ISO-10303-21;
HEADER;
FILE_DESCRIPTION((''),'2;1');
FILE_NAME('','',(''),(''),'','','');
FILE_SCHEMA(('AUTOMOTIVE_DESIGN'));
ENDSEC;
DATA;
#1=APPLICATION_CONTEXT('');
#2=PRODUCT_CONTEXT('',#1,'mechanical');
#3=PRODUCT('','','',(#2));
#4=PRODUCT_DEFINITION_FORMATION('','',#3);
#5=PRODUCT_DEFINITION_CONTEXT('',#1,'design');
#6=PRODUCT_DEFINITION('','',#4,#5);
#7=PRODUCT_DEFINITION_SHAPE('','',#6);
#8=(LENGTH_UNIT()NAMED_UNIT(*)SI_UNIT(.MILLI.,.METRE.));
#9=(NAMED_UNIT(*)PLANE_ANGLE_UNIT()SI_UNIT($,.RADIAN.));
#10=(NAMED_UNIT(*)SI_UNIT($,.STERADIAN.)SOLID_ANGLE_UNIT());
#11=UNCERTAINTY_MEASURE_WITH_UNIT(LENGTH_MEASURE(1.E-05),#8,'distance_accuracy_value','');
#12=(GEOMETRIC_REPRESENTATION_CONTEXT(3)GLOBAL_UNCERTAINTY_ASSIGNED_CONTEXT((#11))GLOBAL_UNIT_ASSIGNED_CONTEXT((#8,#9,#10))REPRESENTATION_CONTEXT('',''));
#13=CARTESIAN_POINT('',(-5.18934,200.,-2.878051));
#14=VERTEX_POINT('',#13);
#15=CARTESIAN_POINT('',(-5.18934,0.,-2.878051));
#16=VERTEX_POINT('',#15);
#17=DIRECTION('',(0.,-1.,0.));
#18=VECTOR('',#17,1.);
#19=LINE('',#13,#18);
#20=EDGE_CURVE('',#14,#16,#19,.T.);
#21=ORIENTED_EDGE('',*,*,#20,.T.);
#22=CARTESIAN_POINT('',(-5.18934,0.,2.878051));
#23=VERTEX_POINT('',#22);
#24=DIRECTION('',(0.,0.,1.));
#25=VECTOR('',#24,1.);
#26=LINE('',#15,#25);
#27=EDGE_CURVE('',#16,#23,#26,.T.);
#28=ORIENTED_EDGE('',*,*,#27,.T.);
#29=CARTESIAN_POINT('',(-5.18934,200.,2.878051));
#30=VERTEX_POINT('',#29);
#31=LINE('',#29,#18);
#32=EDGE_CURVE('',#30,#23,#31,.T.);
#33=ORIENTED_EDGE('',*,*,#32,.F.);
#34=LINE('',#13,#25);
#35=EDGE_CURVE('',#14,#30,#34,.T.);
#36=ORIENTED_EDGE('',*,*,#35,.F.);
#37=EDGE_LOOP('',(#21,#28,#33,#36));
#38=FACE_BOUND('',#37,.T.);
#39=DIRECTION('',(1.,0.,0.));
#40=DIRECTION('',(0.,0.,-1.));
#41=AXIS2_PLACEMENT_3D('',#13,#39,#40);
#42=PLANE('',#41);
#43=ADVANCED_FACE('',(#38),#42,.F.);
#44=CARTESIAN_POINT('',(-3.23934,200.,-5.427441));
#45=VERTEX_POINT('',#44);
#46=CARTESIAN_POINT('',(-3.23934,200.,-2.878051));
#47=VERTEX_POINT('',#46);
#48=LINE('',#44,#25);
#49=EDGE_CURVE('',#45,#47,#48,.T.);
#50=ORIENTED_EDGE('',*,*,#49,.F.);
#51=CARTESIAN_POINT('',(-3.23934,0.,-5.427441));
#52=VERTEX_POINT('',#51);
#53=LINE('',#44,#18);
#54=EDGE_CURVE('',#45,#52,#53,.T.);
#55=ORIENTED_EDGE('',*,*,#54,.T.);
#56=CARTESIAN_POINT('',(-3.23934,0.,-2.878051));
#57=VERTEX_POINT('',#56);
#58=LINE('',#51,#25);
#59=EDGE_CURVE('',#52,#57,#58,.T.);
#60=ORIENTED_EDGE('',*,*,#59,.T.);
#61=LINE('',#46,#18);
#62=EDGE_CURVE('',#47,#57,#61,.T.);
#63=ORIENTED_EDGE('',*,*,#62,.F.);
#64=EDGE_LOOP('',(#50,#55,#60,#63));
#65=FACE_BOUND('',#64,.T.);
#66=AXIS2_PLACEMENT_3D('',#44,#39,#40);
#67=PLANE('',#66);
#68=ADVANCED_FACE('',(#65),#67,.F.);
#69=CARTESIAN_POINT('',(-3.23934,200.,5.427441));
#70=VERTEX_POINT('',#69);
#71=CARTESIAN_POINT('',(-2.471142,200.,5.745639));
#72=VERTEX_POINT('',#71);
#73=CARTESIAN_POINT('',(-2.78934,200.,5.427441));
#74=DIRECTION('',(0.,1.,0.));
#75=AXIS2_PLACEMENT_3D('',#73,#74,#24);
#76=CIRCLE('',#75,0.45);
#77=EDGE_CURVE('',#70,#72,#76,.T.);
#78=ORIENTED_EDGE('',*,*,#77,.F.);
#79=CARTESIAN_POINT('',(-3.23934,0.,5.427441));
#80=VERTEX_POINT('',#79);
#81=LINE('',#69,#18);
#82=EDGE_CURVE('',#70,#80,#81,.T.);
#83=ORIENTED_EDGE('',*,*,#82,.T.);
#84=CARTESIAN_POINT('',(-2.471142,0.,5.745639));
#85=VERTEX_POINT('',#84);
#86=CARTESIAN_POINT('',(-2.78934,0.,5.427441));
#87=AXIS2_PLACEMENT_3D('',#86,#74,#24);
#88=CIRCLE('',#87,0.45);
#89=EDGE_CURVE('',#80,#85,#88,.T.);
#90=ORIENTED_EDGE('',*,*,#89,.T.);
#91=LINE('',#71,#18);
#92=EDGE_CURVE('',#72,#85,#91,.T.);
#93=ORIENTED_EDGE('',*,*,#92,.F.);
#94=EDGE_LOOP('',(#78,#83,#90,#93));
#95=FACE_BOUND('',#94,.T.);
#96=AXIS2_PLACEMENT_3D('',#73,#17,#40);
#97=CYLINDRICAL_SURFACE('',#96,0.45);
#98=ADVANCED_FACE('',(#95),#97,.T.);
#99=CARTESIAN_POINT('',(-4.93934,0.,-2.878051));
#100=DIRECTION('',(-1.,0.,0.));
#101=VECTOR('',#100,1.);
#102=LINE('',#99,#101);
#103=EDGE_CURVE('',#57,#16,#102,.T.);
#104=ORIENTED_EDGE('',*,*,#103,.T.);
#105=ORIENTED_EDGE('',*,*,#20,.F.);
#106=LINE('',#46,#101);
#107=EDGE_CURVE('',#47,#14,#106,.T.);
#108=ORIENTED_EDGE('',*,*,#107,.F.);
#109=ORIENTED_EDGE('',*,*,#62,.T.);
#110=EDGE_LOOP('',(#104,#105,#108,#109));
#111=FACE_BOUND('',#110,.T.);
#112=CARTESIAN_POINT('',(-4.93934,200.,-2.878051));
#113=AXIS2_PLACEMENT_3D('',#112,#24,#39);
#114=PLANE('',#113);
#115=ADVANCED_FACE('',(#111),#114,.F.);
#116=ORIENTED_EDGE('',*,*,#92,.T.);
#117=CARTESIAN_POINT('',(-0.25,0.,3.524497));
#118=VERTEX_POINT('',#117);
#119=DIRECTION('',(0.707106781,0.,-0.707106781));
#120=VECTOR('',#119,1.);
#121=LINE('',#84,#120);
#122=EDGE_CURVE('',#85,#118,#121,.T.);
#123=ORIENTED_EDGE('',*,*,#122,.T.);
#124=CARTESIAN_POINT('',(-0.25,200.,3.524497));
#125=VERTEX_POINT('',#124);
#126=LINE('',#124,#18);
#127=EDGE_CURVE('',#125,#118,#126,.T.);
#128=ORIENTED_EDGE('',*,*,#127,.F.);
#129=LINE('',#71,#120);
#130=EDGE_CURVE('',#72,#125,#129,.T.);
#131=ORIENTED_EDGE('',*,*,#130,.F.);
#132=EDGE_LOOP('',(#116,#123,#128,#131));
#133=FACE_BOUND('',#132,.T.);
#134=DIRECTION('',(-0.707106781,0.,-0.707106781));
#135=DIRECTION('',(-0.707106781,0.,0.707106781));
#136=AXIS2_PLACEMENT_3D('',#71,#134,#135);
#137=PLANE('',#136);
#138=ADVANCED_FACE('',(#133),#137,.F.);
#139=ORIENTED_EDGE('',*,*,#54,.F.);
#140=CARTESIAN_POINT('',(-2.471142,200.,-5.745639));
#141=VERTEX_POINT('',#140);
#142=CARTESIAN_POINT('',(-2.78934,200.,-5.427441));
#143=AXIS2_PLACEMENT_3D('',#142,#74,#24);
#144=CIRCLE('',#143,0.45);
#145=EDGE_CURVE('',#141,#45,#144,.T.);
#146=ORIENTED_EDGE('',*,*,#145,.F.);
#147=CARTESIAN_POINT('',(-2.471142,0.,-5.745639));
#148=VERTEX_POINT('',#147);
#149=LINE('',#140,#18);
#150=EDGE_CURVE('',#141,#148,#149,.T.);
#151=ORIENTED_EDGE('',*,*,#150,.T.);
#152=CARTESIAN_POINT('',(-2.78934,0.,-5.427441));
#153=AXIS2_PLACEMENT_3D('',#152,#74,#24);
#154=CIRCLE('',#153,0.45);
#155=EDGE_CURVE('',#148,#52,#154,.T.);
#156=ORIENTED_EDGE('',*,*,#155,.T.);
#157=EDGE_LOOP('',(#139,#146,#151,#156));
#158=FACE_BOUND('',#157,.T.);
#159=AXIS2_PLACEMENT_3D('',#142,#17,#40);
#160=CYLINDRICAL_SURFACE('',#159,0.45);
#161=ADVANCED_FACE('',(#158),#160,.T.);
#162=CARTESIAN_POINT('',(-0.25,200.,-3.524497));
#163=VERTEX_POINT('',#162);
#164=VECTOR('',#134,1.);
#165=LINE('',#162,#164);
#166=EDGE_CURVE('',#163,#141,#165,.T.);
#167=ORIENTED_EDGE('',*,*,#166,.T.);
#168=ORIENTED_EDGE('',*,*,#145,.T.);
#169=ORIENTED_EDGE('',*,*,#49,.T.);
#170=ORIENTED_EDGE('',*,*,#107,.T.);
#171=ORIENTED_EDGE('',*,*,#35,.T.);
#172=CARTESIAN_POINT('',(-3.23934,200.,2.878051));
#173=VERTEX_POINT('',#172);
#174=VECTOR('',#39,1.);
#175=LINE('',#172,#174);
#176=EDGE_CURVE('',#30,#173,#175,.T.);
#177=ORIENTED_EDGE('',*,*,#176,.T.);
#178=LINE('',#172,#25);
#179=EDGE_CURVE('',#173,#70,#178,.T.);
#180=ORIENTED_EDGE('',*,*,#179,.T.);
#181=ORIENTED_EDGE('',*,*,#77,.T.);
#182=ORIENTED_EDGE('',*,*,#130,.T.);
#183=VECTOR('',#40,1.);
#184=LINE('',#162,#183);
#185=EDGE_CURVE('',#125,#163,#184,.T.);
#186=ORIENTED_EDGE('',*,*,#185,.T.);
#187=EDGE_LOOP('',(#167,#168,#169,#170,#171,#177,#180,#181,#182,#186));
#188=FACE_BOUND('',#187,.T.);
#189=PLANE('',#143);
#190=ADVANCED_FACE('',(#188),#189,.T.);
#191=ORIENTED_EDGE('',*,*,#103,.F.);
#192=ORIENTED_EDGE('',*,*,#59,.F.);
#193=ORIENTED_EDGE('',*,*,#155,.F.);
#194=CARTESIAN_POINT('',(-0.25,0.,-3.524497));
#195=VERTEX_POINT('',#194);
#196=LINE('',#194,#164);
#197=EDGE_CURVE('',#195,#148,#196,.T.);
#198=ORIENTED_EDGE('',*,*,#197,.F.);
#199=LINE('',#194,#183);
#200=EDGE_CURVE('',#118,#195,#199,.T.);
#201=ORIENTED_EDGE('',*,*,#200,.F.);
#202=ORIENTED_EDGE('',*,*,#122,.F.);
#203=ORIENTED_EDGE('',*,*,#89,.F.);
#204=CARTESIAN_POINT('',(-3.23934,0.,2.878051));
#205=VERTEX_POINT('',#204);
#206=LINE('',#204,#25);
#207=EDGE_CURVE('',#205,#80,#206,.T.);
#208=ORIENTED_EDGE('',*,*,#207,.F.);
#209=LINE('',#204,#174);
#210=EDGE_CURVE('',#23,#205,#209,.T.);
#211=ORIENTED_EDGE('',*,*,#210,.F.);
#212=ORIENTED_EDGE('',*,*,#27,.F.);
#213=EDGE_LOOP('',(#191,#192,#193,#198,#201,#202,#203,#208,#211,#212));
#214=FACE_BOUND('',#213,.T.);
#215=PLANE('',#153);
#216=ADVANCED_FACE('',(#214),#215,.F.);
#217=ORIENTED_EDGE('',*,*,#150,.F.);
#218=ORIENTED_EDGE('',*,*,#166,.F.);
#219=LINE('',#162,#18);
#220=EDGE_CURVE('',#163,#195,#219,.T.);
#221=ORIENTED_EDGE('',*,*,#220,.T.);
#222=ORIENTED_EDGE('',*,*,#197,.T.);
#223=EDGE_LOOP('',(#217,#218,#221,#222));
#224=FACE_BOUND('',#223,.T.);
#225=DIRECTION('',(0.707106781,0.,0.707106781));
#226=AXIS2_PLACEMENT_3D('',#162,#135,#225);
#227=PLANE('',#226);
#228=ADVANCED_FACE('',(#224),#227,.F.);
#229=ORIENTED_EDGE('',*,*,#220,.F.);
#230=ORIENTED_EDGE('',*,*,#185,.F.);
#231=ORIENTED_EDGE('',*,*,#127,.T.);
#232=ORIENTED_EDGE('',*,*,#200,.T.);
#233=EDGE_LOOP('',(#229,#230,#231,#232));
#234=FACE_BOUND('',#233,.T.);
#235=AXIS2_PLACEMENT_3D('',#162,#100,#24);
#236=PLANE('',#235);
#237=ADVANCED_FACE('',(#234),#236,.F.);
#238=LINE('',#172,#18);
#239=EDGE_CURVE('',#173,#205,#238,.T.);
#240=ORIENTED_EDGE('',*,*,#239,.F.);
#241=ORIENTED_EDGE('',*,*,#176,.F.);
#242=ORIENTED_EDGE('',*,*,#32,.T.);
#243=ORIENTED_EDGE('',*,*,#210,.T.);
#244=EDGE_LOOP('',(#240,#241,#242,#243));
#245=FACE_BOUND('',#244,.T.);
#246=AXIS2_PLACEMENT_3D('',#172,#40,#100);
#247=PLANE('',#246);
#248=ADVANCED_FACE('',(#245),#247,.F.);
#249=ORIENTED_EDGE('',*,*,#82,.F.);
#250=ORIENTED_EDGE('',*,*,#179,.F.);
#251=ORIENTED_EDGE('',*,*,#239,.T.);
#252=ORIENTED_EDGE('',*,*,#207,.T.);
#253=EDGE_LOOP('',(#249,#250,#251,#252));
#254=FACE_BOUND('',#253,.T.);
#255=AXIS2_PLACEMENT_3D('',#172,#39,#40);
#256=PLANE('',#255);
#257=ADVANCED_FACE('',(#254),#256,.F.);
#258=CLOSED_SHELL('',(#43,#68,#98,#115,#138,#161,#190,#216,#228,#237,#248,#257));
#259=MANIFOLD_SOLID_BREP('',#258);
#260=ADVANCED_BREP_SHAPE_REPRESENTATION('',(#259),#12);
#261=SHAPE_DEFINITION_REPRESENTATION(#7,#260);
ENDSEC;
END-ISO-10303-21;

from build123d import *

# Parameters (mm, degrees)
BOSS_EXTRUDE1_DEPTH = 200


with BuildPart() as part:
    # Sketch1 → Boss-Extrude1 (new body)
    with BuildSketch(Plane(origin=(0, 0, 0), x_dir=(1, 0, 0), z_dir=(0, 1, 0))):
        with BuildLine():
            Line((-3.239339866, -2.878050905), (-3.239339866, -5.427441221))
            ThreePointArc((-3.239339866, -5.427441221), (-2.961547411, -5.843187011), (-2.471141815, -5.745639273))
            Line((-2.471141815, -5.745639273), (-0.25, -3.524497458))
            Line((-0.25, -3.524497458), (-0.25, 3.524497458))
            Line((-0.25, 3.524497458), (-2.471141814, 5.745639272))
            ThreePointArc((-2.471141814, 5.745639272), (-2.961547408, 5.84318701), (-3.239339864, 5.427441222))
            Line((-3.239339864, 5.427441222), (-3.239339864, 2.878050849))
            Line((-3.239339864, 2.878050849), (-4.939339838, 2.878050849))
            Line((-4.939339838, 2.878050849), (-5.189339838, 2.878050849))
            Line((-5.189339838, 2.878050849), (-5.189339838, -2.878050905))
            Line((-5.189339838, -2.878050905), (-3.239339866, -2.878050905))
        make_face()
    extrude(amount=BOSS_EXTRUDE1_DEPTH)


solid = part.part
